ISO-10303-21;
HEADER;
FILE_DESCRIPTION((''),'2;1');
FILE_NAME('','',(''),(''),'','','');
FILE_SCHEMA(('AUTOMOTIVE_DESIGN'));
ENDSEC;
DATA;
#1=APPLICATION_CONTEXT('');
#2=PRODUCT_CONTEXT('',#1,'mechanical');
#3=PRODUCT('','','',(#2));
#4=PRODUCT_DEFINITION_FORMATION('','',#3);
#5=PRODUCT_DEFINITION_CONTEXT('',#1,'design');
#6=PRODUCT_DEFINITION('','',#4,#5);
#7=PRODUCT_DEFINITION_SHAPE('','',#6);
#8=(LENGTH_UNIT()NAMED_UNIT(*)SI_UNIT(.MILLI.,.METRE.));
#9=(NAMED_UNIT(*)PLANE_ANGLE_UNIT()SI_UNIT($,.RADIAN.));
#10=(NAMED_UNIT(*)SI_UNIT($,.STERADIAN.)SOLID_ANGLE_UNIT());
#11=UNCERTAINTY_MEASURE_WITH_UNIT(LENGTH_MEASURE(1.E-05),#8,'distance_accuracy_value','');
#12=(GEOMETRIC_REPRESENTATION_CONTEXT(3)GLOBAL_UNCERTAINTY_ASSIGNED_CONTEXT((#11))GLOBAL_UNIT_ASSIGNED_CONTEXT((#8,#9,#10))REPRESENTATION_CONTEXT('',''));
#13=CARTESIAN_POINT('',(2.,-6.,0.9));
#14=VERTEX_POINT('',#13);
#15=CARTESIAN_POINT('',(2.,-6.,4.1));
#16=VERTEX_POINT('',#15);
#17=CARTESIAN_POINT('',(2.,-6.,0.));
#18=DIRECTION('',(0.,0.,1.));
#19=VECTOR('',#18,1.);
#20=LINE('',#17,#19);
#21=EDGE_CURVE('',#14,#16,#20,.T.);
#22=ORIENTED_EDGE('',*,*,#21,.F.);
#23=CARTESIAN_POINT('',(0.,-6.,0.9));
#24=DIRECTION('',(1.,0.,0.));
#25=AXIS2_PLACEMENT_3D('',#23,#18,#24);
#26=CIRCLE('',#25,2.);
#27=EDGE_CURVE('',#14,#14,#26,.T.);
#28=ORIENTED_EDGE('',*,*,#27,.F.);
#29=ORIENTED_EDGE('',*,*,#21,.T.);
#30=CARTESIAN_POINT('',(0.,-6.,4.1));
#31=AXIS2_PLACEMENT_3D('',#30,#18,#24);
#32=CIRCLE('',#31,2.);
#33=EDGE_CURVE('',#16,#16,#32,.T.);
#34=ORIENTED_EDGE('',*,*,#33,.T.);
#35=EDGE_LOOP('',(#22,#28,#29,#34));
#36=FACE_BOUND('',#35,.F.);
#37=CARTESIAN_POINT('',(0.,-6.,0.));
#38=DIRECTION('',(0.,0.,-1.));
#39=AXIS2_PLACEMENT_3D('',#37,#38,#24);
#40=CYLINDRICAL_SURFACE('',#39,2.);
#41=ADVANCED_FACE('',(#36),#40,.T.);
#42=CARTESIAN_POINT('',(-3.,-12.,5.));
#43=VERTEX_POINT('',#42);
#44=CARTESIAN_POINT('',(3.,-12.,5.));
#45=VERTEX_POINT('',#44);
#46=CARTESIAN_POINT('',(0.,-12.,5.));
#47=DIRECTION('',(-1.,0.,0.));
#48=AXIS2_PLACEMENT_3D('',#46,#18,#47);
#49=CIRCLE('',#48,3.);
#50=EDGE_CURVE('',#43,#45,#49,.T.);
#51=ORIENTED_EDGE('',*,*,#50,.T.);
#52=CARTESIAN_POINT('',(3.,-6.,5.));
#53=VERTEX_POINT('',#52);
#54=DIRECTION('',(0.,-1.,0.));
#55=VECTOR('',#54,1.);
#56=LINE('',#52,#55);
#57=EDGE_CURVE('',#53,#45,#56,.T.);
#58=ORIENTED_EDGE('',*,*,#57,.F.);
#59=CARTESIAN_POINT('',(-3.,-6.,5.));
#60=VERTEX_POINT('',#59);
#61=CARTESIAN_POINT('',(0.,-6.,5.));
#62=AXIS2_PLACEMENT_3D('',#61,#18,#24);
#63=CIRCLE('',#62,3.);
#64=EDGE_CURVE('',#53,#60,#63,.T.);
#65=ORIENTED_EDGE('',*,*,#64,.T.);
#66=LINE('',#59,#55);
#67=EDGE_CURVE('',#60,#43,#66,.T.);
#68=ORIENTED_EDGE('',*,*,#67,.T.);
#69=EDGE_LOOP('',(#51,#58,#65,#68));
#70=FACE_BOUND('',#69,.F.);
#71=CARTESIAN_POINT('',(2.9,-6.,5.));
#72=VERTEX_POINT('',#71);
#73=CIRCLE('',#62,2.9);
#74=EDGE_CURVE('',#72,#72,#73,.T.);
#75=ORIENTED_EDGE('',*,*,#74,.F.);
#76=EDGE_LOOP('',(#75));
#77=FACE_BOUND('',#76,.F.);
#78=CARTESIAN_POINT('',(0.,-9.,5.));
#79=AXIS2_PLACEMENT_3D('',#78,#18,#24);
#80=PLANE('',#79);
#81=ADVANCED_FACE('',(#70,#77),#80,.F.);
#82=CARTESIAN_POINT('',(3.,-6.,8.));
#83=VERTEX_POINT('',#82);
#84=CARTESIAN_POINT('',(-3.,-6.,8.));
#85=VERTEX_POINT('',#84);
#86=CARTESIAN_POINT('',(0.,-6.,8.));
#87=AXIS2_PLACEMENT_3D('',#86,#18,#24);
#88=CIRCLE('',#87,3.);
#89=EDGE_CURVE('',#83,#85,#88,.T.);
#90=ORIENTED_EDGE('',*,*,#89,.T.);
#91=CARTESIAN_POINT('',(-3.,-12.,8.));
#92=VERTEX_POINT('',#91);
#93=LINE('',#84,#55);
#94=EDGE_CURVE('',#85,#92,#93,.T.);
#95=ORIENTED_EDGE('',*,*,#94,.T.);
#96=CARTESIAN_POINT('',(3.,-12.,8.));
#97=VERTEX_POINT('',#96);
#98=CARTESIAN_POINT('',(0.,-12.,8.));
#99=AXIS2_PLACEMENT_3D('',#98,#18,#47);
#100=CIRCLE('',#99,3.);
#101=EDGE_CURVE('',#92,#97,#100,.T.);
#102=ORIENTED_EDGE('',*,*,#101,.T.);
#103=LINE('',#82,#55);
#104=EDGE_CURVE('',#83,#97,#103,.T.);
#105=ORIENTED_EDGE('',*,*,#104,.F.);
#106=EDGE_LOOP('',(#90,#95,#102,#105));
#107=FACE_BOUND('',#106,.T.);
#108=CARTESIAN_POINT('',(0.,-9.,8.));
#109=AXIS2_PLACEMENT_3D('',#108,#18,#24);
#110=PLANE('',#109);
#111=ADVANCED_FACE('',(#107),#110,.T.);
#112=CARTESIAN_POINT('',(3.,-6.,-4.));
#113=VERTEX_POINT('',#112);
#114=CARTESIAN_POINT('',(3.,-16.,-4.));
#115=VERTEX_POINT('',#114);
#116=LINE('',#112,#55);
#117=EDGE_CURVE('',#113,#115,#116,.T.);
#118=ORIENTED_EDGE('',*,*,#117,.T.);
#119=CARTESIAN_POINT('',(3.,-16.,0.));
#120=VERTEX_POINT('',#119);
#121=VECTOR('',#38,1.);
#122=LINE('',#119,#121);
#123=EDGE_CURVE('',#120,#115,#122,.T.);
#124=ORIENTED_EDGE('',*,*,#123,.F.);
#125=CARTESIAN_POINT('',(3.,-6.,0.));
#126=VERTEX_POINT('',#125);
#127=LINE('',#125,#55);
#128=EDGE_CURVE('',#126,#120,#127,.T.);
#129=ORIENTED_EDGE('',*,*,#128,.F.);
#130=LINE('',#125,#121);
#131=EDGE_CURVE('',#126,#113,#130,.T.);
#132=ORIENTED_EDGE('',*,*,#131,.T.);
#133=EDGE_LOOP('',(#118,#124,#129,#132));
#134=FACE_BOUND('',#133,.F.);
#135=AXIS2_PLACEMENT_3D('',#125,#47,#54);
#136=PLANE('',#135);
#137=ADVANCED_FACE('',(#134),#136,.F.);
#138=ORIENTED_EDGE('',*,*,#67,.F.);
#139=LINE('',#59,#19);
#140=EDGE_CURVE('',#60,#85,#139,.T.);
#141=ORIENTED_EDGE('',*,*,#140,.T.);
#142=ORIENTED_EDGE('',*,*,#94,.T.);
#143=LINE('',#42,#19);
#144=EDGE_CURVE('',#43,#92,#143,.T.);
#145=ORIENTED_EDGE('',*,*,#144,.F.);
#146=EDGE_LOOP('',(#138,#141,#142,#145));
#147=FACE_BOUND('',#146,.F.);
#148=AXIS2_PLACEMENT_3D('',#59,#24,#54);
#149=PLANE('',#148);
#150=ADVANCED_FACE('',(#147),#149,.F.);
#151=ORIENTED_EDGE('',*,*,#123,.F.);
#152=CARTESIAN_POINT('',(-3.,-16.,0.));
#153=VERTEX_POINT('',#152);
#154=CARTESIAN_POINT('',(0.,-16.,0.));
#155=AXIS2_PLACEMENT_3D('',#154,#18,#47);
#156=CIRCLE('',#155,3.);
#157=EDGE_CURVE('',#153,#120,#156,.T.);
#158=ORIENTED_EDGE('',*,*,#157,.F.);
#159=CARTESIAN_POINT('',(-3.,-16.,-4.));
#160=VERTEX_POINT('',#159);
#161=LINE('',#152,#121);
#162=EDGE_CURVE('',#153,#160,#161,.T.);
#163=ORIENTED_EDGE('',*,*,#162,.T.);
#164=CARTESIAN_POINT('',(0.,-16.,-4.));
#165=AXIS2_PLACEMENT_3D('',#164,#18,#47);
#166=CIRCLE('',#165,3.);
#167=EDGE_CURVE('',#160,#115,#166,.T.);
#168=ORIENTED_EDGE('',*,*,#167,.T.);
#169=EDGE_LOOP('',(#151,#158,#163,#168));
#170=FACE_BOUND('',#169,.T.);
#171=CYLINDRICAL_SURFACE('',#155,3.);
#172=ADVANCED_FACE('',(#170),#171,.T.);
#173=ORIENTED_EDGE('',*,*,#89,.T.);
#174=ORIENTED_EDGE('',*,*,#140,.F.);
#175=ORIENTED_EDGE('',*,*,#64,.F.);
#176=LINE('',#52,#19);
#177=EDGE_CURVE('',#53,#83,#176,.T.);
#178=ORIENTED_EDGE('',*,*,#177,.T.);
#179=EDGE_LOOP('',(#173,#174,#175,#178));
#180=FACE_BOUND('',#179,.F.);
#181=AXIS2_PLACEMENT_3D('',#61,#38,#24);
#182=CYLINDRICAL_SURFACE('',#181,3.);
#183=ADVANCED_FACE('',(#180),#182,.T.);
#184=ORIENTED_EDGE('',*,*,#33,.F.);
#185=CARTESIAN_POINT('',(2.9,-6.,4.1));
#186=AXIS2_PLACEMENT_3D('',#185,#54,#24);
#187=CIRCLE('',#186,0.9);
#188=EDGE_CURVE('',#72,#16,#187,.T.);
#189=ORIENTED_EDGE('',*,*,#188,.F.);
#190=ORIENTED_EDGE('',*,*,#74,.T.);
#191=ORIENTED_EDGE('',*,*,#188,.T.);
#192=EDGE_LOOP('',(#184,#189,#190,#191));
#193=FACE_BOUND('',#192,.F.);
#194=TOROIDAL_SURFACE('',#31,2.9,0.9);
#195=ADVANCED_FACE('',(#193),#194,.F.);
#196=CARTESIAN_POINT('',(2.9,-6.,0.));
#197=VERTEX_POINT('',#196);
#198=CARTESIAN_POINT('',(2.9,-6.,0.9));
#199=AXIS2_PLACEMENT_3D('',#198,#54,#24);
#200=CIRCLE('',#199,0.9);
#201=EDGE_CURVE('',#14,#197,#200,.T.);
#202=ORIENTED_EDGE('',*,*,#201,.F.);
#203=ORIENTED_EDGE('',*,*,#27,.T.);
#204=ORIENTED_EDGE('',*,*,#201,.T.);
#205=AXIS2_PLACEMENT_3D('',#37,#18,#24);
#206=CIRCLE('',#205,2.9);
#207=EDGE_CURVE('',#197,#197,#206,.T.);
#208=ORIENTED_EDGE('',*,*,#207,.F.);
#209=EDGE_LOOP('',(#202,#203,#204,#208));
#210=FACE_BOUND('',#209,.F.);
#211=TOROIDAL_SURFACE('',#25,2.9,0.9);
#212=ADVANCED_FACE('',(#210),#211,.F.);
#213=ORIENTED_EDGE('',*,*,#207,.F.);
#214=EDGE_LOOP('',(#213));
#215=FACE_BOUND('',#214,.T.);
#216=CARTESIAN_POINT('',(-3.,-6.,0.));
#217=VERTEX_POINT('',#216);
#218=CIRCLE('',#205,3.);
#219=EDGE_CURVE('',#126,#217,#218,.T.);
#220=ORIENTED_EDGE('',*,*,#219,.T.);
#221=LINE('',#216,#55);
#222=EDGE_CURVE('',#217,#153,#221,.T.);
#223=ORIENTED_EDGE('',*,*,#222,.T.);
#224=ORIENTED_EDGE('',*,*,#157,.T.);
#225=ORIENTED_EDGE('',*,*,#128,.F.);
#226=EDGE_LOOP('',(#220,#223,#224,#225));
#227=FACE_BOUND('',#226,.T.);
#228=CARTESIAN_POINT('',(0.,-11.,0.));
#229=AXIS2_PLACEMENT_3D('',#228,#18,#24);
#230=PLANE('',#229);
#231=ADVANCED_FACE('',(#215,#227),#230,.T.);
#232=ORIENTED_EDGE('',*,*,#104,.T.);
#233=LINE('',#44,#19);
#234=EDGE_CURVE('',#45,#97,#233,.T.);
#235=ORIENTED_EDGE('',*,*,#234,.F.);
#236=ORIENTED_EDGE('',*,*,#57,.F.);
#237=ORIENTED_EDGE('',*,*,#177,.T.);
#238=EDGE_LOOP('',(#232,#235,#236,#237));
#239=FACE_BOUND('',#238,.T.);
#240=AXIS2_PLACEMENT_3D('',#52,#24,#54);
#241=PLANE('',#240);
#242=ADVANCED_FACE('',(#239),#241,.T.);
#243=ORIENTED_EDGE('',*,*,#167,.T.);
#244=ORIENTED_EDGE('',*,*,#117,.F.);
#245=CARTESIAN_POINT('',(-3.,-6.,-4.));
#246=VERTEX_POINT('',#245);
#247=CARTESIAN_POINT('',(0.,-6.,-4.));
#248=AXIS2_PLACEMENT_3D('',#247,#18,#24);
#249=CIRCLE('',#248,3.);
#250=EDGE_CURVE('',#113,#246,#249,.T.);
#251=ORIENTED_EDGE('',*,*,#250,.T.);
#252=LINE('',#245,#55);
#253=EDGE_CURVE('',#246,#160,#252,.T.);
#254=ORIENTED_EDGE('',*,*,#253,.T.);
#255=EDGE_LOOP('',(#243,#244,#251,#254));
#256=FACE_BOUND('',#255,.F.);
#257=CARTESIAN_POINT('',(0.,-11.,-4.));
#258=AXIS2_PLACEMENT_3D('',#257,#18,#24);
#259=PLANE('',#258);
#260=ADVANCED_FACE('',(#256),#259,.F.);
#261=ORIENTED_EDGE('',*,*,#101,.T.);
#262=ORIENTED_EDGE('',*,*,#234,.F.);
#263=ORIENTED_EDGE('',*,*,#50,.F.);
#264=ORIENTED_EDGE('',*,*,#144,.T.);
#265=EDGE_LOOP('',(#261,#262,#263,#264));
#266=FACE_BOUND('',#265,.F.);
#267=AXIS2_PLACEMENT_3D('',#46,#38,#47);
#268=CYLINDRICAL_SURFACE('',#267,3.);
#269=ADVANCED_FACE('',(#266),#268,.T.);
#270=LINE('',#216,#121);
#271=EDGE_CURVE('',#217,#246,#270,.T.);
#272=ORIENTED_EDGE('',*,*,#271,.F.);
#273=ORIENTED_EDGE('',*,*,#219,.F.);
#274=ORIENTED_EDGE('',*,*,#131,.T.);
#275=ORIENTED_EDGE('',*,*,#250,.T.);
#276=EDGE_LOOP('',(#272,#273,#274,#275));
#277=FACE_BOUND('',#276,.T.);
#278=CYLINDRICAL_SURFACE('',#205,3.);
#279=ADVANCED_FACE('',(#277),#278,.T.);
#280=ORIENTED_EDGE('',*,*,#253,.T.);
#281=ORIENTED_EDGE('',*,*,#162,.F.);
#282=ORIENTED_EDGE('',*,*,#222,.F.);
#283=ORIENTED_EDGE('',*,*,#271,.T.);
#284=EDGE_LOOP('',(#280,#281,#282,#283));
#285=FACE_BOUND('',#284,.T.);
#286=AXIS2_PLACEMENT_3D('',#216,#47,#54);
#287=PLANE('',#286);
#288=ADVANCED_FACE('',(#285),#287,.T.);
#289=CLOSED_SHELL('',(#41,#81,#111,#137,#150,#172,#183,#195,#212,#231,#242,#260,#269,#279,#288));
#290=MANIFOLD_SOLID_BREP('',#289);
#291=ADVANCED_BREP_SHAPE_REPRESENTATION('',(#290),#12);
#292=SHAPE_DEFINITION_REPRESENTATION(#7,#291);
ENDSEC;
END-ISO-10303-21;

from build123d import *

# Parameters (mm, degrees)
PAD004_DEPTH = 4
SKETCH005_R  = 2
PAD005_DEPTH = 5
PAD006_DEPTH = 3
FILLET003_R  = 0.9
FILLET004_R  = 0.9


with BuildPart() as part:
    # Sketch004 → Pad004 (new body)
    with BuildSketch(Plane.XY):
        with BuildLine():
            ThreePointArc((3, -6), (0, -3), (-3, -6))
            Line((-3, -6), (-3, -16))
            ThreePointArc((-3, -16), (0, -19), (3, -16))
            Line((3, -6), (3, -16))
        make_face()
    extrude(amount=-PAD004_DEPTH)

    # Sketch005 → Pad005 (new body)
    with BuildSketch(Plane.XY):
        with Locations((0, -6)):
            Circle(SKETCH005_R)
    extrude(amount=PAD005_DEPTH)

    # Sketch006 → Pad006 (new body)
    with BuildSketch(Plane.XY.offset(5)):
        with BuildLine():
            ThreePointArc((3, -6), (0, -3), (-3, -6))
            Line((-3, -6), (-3, -12))
            ThreePointArc((-3, -12), (0, -15), (3, -12))
            Line((3, -6), (3, -12))
        make_face()
    extrude(amount=PAD006_DEPTH)

    # Fillet003
    fillet003_edges = [part.edges().sort_by_distance(p)[0] for p in [
        (-2, -6, 5),
    ]]
    fillet(fillet003_edges, radius=FILLET003_R)

    # Fillet004
    fillet004_edges = [part.edges().sort_by_distance(p)[0] for p in [
        (-2, -6, 0),
    ]]
    fillet(fillet004_edges, radius=FILLET004_R)


solid = part.part
